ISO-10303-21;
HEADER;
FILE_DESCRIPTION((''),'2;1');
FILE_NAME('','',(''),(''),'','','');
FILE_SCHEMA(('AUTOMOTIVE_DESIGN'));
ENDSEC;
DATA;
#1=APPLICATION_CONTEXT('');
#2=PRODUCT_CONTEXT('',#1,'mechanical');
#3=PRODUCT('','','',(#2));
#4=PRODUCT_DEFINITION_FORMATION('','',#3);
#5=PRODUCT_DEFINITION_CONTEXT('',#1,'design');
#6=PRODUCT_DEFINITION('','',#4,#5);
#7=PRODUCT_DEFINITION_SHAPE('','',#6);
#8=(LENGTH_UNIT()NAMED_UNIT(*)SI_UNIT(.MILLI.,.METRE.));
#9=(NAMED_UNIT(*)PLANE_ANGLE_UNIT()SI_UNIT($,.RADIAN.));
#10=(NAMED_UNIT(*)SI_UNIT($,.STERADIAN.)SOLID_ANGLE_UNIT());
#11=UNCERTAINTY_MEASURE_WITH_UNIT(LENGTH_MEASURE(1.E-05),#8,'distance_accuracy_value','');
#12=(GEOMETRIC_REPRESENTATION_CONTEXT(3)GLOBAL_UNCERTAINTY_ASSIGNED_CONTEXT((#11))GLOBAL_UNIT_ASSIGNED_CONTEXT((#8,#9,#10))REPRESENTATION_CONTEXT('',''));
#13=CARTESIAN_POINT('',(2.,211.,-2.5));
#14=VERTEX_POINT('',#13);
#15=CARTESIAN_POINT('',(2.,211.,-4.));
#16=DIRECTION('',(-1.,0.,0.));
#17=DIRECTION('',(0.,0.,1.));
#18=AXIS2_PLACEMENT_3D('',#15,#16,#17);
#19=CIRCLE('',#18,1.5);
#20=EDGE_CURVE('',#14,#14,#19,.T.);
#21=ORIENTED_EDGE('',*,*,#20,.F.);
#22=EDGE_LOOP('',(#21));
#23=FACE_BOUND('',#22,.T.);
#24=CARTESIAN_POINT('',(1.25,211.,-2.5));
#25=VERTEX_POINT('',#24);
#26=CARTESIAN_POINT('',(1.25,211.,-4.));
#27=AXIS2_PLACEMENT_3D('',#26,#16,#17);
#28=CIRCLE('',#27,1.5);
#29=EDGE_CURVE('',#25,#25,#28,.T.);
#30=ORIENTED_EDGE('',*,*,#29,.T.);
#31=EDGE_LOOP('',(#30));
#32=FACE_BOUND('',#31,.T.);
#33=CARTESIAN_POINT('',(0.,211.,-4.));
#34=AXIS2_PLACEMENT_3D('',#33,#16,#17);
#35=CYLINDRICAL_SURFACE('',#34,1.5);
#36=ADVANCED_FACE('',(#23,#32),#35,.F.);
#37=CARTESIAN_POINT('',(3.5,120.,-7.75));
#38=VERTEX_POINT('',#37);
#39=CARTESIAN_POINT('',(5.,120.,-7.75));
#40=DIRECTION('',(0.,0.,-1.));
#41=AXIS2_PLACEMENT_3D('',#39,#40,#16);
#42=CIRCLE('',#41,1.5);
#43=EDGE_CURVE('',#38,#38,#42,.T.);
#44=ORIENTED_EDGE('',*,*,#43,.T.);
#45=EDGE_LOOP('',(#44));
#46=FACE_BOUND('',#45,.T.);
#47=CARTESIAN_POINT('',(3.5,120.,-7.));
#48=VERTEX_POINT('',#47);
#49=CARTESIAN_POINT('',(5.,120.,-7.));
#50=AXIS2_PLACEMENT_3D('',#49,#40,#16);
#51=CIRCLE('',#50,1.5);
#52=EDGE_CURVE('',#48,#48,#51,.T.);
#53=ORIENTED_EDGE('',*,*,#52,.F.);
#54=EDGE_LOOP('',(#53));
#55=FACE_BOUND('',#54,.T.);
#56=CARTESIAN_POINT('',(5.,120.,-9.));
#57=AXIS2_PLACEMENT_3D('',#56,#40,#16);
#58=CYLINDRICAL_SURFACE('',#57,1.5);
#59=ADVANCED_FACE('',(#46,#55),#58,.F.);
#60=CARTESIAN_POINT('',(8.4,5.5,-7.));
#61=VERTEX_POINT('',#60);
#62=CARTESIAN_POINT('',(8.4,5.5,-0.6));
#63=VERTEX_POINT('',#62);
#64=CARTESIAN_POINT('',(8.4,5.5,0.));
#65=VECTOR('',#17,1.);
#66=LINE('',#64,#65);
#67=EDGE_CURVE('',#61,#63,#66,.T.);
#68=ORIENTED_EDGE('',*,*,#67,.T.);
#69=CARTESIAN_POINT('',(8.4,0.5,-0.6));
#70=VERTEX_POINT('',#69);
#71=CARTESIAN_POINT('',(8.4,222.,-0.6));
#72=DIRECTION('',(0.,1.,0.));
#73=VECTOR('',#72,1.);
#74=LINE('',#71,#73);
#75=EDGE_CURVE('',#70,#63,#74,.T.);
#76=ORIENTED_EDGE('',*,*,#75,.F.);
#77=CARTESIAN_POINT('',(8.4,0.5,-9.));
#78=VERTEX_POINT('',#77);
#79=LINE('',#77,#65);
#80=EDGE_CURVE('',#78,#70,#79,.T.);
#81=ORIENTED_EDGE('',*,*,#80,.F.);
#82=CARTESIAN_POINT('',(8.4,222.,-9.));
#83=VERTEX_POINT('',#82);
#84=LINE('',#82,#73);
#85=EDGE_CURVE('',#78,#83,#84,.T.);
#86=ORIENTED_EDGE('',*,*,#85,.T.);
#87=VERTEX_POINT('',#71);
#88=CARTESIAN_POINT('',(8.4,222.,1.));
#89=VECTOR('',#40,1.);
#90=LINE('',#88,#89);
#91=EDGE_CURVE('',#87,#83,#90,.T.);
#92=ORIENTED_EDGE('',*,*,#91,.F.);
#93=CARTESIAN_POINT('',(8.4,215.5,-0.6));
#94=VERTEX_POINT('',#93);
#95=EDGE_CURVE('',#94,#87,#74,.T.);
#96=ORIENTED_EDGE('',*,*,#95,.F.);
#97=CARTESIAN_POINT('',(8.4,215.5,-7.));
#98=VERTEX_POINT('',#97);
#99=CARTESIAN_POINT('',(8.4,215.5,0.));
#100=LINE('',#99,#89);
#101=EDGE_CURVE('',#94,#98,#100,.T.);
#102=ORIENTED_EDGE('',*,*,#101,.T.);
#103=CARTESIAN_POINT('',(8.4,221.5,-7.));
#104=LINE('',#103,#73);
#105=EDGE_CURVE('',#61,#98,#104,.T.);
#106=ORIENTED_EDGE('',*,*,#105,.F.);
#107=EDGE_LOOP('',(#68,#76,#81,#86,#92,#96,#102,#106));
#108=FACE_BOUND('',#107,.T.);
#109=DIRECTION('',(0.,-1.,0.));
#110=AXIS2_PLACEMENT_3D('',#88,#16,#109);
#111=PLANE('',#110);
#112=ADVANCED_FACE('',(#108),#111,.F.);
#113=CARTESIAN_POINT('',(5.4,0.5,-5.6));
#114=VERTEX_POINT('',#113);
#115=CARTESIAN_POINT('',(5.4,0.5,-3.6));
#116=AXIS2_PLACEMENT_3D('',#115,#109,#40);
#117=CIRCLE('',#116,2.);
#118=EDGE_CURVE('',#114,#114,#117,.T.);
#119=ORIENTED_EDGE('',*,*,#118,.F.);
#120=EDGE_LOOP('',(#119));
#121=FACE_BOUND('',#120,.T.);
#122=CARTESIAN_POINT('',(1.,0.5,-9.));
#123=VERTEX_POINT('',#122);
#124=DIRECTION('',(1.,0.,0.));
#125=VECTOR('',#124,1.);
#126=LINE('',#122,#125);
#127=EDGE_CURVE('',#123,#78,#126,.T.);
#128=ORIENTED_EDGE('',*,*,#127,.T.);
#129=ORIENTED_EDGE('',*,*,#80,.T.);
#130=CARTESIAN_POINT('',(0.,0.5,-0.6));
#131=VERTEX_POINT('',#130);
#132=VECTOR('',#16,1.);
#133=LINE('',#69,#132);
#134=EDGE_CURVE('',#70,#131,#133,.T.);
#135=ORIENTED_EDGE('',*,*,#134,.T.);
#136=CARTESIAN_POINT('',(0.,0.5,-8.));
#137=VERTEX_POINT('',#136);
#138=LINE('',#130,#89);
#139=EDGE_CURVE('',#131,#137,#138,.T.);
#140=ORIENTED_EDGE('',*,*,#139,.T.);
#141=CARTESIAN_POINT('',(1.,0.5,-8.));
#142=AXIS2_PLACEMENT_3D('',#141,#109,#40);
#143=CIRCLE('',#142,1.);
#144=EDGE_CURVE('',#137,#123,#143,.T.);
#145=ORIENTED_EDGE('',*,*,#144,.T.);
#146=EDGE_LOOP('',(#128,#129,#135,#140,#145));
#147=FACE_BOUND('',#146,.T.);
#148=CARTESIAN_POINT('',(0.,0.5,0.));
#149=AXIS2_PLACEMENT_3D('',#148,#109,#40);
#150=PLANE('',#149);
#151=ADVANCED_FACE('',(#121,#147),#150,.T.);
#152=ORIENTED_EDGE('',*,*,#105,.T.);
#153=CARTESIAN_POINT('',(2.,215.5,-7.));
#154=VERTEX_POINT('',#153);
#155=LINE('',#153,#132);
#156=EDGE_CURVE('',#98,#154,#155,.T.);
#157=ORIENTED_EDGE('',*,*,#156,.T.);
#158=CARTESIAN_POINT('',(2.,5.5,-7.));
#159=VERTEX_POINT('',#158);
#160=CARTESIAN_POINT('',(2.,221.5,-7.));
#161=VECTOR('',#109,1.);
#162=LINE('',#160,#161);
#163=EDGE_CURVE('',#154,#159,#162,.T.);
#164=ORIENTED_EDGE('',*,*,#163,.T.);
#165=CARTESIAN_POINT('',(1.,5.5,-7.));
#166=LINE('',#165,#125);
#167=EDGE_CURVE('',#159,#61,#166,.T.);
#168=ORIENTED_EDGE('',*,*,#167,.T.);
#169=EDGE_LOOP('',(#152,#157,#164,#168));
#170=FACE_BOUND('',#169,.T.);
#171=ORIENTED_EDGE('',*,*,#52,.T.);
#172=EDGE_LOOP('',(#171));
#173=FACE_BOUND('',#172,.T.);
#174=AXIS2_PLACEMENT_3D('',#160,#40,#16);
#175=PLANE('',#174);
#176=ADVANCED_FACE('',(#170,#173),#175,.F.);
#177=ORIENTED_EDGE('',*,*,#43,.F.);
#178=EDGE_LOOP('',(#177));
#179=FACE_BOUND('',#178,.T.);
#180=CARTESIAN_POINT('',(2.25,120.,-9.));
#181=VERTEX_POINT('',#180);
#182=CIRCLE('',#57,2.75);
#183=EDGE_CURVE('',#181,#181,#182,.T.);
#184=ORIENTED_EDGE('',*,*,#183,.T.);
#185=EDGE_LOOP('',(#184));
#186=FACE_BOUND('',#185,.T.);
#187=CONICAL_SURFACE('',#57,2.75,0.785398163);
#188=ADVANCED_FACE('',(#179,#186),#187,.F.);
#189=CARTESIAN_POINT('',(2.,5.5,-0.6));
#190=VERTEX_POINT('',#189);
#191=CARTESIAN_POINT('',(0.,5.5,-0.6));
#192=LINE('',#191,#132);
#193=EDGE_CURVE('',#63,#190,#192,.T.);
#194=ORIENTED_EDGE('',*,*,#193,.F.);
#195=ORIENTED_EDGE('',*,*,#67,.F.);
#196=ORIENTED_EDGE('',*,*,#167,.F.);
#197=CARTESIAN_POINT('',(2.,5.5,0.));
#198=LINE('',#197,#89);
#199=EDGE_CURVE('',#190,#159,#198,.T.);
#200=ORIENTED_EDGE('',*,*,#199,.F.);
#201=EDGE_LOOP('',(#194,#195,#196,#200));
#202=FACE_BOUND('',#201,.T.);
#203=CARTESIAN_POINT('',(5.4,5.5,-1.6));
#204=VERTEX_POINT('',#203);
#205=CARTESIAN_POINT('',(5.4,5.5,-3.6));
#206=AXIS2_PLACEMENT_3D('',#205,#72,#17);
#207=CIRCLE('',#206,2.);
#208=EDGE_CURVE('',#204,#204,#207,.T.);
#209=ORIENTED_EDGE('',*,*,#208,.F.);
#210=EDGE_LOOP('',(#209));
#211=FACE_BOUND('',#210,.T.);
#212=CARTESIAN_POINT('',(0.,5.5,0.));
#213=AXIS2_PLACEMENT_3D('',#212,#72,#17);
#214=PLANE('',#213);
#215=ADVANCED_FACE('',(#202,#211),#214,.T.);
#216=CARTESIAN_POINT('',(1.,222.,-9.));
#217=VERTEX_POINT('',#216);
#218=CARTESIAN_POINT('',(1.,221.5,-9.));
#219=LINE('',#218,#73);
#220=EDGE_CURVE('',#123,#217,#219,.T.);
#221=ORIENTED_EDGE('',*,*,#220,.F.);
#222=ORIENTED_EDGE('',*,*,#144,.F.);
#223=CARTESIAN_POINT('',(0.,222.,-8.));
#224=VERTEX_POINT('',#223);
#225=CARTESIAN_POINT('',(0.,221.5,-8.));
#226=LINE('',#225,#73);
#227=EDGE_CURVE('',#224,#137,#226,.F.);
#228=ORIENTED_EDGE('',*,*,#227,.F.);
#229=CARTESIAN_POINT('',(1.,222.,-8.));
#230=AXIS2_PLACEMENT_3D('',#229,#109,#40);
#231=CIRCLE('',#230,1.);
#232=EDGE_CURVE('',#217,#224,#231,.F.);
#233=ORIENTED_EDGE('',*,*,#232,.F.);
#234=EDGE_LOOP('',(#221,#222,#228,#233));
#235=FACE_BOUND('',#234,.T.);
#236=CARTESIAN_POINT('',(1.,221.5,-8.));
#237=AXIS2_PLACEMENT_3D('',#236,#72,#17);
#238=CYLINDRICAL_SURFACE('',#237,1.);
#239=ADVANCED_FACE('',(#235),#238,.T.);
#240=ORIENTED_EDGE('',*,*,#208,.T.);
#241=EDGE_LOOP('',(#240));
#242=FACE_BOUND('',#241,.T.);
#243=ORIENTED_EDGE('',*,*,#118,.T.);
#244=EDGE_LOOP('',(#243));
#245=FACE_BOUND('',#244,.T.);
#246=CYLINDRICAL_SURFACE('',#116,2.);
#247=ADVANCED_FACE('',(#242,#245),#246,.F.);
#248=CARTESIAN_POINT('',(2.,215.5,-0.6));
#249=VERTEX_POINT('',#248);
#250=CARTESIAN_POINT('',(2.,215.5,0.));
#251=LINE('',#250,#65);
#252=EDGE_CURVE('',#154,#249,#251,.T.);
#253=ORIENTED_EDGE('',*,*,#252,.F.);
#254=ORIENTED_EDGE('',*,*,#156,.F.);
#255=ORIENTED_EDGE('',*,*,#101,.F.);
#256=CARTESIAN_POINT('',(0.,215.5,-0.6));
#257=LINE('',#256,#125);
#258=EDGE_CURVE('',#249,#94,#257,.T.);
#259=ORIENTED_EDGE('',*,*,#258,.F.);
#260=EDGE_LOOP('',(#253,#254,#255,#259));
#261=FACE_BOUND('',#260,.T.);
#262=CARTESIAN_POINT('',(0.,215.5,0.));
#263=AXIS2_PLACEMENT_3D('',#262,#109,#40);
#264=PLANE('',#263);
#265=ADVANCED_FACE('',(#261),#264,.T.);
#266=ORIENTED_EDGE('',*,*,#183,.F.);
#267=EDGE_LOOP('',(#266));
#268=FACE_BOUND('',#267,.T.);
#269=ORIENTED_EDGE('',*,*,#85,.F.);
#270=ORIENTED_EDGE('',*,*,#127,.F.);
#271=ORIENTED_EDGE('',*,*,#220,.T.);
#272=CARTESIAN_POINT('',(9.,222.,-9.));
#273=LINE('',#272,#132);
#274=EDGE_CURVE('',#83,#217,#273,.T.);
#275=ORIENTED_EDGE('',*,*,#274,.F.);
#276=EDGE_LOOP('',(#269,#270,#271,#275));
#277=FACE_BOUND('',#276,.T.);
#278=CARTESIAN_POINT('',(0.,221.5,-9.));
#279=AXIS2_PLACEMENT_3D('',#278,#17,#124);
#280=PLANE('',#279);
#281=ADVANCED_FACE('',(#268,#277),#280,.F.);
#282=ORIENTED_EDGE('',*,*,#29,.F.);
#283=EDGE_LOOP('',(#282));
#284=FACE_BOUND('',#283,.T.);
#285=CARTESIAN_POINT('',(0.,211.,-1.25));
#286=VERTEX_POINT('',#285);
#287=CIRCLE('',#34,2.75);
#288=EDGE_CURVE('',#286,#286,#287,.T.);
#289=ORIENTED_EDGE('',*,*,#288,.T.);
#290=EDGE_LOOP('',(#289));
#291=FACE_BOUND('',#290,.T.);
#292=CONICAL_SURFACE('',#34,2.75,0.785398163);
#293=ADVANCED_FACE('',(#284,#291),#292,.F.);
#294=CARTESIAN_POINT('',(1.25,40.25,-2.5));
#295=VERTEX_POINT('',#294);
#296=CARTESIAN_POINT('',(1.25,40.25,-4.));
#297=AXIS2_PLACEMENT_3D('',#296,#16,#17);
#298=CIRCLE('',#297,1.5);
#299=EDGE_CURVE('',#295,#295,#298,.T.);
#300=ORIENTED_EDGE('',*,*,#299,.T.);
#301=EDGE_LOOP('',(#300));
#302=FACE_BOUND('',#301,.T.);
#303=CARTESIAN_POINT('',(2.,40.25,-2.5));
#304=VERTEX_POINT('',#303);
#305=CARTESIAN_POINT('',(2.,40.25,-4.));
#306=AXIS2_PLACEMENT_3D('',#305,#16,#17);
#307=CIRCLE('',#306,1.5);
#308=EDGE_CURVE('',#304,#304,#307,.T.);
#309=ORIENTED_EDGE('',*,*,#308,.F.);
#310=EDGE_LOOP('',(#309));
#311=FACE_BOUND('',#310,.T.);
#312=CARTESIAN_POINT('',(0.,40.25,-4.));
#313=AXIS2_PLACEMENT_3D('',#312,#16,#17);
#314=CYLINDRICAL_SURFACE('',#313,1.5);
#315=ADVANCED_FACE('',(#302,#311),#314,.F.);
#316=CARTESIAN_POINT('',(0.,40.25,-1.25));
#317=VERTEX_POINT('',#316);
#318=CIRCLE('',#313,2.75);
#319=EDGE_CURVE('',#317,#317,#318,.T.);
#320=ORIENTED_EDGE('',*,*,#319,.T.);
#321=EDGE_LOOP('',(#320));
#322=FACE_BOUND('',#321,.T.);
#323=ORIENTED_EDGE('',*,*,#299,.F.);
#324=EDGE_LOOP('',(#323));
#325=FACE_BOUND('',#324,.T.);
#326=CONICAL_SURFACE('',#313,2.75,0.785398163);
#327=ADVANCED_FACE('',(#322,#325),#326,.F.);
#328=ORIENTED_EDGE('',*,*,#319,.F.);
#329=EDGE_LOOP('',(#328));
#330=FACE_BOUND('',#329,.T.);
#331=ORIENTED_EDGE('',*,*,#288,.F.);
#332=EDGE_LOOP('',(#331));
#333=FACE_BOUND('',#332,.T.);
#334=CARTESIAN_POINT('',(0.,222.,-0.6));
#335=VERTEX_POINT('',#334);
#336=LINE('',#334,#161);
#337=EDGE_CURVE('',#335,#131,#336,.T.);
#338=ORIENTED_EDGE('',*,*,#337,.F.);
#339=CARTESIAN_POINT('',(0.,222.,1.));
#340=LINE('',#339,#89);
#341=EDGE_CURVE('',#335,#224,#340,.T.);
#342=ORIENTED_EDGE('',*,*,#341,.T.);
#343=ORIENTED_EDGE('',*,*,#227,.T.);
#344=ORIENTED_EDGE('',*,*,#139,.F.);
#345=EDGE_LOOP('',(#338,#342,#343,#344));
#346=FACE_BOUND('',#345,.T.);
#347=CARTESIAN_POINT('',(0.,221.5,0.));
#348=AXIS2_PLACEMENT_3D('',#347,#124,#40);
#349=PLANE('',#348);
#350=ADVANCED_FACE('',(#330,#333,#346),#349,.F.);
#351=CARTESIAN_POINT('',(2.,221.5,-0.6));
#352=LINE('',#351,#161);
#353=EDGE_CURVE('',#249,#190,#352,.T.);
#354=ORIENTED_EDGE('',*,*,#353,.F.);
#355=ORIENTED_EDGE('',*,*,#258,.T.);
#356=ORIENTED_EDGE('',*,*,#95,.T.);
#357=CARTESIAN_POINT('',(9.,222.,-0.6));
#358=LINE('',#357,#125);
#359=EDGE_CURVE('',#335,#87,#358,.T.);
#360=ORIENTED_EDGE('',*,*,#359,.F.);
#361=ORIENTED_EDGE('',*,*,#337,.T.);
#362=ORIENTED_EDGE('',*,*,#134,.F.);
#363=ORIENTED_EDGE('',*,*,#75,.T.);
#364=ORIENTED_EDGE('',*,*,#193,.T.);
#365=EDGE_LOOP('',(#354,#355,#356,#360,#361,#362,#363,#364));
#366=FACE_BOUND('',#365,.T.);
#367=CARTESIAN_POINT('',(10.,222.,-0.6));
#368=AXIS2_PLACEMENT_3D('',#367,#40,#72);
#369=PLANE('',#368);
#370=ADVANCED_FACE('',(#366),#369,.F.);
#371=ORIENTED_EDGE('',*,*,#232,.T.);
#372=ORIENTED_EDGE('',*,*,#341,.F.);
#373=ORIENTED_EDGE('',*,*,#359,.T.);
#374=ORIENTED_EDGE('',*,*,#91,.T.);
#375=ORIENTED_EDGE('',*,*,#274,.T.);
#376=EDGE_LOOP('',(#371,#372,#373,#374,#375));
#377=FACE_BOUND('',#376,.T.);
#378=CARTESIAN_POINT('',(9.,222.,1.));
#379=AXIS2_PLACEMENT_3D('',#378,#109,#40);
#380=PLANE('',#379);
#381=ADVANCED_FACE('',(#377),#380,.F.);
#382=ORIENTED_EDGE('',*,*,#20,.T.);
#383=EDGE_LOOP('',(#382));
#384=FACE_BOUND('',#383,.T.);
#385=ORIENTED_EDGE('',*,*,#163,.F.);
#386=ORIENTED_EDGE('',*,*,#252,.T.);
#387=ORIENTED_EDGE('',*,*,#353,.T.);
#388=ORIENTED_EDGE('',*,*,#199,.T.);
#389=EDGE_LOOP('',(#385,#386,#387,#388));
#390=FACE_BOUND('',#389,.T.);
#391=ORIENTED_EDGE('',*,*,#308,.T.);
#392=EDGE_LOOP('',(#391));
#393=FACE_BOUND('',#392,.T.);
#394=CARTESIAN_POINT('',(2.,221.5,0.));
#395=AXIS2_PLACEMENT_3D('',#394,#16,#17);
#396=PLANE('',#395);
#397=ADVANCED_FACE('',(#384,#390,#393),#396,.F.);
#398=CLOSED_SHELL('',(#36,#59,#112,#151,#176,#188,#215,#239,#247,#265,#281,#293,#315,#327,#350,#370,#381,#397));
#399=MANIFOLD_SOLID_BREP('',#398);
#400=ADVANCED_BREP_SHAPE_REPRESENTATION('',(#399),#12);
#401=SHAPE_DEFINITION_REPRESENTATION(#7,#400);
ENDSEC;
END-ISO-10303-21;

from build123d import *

# Parameters (mm, degrees)
BOSS_EXTRUDE1_DEPTH                                 = 221.5
CSK_FOR_M3_COUNTERSUNK_FLAT_HEAD_SCREW1_D           = 3
CSK_FOR_M3_COUNTERSUNK_FLAT_HEAD_SCREW1_CSINK_D     = 5.5
CSK_FOR_M3_COUNTERSUNK_FLAT_HEAD_SCREW1_CSINK_ANGLE = 90
CSK_FOR_M3_COUNTERSUNK_FLAT_HEAD_SCREW4_D           = 3
CSK_FOR_M3_COUNTERSUNK_FLAT_HEAD_SCREW4_CSINK_D     = 5.5
CSK_FOR_M3_COUNTERSUNK_FLAT_HEAD_SCREW4_CSINK_ANGLE = 90
SKETCH12_W                                          = 8
SKETCH12_H                                          = 7
BOSS_EXTRUDE2_DEPTH                                 = 5.5
CUT_EXTRUDE1_DEPTH                                  = 359
BOSS_EXTRUDE3_DEPTH                                 = 3
BOSS_EXTRUDE4_DEPTH                                 = 2.5
BOSS_EXTRUDE4_DEPTH_BACK                            = 6
SKETCH19_W                                          = 9
SKETCH19_H                                          = 2
CUT_EXTRUDE2_DEPTH                                  = 10
SKETCH20_W                                          = 0.6
SKETCH20_H                                          = 225
CUT_EXTRUDE3_DEPTH                                  = 10
SKETCH22_W                                          = 0.6
SKETCH22_H                                          = 225
CUT_EXTRUDE4_DEPTH                                  = 10
SKETCH25_W                                          = 8.4
SKETCH25_H                                          = 5.5
CUT_EXTRUDE5_DEPTH                                  = 10
BOSS_EXTRUDE5_DEPTH                                 = 2
TAP_DRILL_FOR_M4X0_7_TAP1_D                         = 4
TAP_DRILL_FOR_M4X0_7_TAP1_DEPTH                     = 5
BOSS_EXTRUDE6_DEPTH                                 = 221.5
FILLET1_R                                           = 1


with BuildPart() as part:
    # Sketch1 → Boss-Extrude1 (new body)
    with BuildSketch(Plane(origin=(0, 0, 0), x_dir=(1, 0, 0), z_dir=(0, 1, 0))):
        Polygon((0, 0), (0, 9), (9, 9), (9, 7), (2, 7), (2, 0), align=None)
    extrude(amount=BOSS_EXTRUDE1_DEPTH)

    # CSK for M3 Countersunk Flat Head Screw1 (through all)
    with Locations(Plane.ZY):
        with Locations((-4, 211), (-4, 40.25)):
            CounterSinkHole(CSK_FOR_M3_COUNTERSUNK_FLAT_HEAD_SCREW1_D / 2, CSK_FOR_M3_COUNTERSUNK_FLAT_HEAD_SCREW1_CSINK_D / 2, counter_sink_angle=CSK_FOR_M3_COUNTERSUNK_FLAT_HEAD_SCREW1_CSINK_ANGLE)

    # CSK for M3 Countersunk Flat Head Screw4 (through all)
    with Locations(Plane(origin=(0, 0, -9), x_dir=(-1, 0, 0), z_dir=(0, 0, -1))):
        with Locations((-5, 120)):
            CounterSinkHole(CSK_FOR_M3_COUNTERSUNK_FLAT_HEAD_SCREW4_D / 2, CSK_FOR_M3_COUNTERSUNK_FLAT_HEAD_SCREW4_CSINK_D / 2, counter_sink_angle=CSK_FOR_M3_COUNTERSUNK_FLAT_HEAD_SCREW4_CSINK_ANGLE)

    # Sketch12 → Boss-Extrude2 (add)
    with BuildSketch(Plane.XZ):
        with Locations((5, -3.5)):
            Rectangle(SKETCH12_W, SKETCH12_H)
    extrude(amount=-BOSS_EXTRUDE2_DEPTH)

    # Sketch13 → Cut-Extrude1 (cut)
    with BuildSketch(Plane(origin=(0, 221.5, 0), x_dir=(1, 0, 0), z_dir=(0, 1, 0))):
        Polygon((0, 8), (1, 9), (0, 9), align=None)
    extrude(amount=-CUT_EXTRUDE1_DEPTH, mode=Mode.SUBTRACT)

    # Sketch14 → Boss-Extrude3 (add)
    with BuildSketch(Plane.XZ):
        Polygon((0, 0), (9, 0), (9, -9), (1, -9), (0, -8), align=None)
    extrude(amount=BOSS_EXTRUDE3_DEPTH)

    # Sketch18 → Boss-Extrude4 (add, two sides: drawn at the far end of the back side and taken through both)
    with BuildSketch(Plane(origin=(0, 221.5, 0), x_dir=(1, 0, 0), z_dir=(0, 1, 0)).offset(-BOSS_EXTRUDE4_DEPTH_BACK)):
        Polygon((0, 0), (9, 0), (9, 9), (1, 9), (0, 8), align=None)
    extrude(amount=BOSS_EXTRUDE4_DEPTH + BOSS_EXTRUDE4_DEPTH_BACK)

    # Sketch19 → Cut-Extrude2 (cut)
    with BuildSketch(Plane(origin=(0, 0, -9), x_dir=(-1, 0, 0), z_dir=(0, 0, -1))):
        with Locations((-4.5, 223)):
            Rectangle(SKETCH19_W, SKETCH19_H)
    extrude(amount=-CUT_EXTRUDE2_DEPTH, mode=Mode.SUBTRACT)

    # Sketch20 → Cut-Extrude3 (cut)
    with BuildSketch(Plane.ZY):
        with Locations((-0.3, 109.5)):
            Rectangle(SKETCH20_W, SKETCH20_H)
    extrude(amount=-CUT_EXTRUDE3_DEPTH, mode=Mode.SUBTRACT)

    # Sketch22 → Cut-Extrude4 (cut)
    with BuildSketch(Plane(origin=(0, 0, -9), x_dir=(-1, 0, 0), z_dir=(0, 0, -1))):
        with Locations((-8.7, 109.5)):
            Rectangle(SKETCH22_W, SKETCH22_H)
    extrude(amount=-CUT_EXTRUDE4_DEPTH, mode=Mode.SUBTRACT)

    # Sketch25 → Cut-Extrude5 (cut)
    with BuildSketch(Plane.ZY):
        with Locations((-4.8, -0.25)):
            Rectangle(SKETCH25_W, SKETCH25_H)
    extrude(amount=-CUT_EXTRUDE5_DEPTH, mode=Mode.SUBTRACT)

    # Sketch29 → Boss-Extrude5 (add)
    with BuildSketch(Plane.XZ.offset(-2.5)):
        Polygon((8.4, -0.6), (0, -0.6), (0, -8), (1, -9), (8.4, -9), align=None)
    extrude(amount=BOSS_EXTRUDE5_DEPTH)

    # Tap Drill for M4x0.7 Tap1
    with Locations(Plane(origin=(0, 0.5, 0), x_dir=(-1, 0, 0), z_dir=(0, -1, 0))):
        with Locations((-5.4, 3.6)):
            Hole(TAP_DRILL_FOR_M4X0_7_TAP1_D / 2, depth=TAP_DRILL_FOR_M4X0_7_TAP1_DEPTH)

    # Sketch32 → Boss-Extrude6 (add)
    with BuildSketch(Plane(origin=(0, 222, 0), x_dir=(1, 0, 0), z_dir=(0, 1, 0))):
        Polygon((1, 9), (0, 8), (0, 9), align=None)
    extrude(amount=-BOSS_EXTRUDE6_DEPTH)

    # Fillet1
    fillet1_edges = [part.edges().sort_by_distance(p)[0] for p in [
        (0, 111.25, -9),
    ]]
    fillet(fillet1_edges, radius=FILLET1_R)


solid = part.part
